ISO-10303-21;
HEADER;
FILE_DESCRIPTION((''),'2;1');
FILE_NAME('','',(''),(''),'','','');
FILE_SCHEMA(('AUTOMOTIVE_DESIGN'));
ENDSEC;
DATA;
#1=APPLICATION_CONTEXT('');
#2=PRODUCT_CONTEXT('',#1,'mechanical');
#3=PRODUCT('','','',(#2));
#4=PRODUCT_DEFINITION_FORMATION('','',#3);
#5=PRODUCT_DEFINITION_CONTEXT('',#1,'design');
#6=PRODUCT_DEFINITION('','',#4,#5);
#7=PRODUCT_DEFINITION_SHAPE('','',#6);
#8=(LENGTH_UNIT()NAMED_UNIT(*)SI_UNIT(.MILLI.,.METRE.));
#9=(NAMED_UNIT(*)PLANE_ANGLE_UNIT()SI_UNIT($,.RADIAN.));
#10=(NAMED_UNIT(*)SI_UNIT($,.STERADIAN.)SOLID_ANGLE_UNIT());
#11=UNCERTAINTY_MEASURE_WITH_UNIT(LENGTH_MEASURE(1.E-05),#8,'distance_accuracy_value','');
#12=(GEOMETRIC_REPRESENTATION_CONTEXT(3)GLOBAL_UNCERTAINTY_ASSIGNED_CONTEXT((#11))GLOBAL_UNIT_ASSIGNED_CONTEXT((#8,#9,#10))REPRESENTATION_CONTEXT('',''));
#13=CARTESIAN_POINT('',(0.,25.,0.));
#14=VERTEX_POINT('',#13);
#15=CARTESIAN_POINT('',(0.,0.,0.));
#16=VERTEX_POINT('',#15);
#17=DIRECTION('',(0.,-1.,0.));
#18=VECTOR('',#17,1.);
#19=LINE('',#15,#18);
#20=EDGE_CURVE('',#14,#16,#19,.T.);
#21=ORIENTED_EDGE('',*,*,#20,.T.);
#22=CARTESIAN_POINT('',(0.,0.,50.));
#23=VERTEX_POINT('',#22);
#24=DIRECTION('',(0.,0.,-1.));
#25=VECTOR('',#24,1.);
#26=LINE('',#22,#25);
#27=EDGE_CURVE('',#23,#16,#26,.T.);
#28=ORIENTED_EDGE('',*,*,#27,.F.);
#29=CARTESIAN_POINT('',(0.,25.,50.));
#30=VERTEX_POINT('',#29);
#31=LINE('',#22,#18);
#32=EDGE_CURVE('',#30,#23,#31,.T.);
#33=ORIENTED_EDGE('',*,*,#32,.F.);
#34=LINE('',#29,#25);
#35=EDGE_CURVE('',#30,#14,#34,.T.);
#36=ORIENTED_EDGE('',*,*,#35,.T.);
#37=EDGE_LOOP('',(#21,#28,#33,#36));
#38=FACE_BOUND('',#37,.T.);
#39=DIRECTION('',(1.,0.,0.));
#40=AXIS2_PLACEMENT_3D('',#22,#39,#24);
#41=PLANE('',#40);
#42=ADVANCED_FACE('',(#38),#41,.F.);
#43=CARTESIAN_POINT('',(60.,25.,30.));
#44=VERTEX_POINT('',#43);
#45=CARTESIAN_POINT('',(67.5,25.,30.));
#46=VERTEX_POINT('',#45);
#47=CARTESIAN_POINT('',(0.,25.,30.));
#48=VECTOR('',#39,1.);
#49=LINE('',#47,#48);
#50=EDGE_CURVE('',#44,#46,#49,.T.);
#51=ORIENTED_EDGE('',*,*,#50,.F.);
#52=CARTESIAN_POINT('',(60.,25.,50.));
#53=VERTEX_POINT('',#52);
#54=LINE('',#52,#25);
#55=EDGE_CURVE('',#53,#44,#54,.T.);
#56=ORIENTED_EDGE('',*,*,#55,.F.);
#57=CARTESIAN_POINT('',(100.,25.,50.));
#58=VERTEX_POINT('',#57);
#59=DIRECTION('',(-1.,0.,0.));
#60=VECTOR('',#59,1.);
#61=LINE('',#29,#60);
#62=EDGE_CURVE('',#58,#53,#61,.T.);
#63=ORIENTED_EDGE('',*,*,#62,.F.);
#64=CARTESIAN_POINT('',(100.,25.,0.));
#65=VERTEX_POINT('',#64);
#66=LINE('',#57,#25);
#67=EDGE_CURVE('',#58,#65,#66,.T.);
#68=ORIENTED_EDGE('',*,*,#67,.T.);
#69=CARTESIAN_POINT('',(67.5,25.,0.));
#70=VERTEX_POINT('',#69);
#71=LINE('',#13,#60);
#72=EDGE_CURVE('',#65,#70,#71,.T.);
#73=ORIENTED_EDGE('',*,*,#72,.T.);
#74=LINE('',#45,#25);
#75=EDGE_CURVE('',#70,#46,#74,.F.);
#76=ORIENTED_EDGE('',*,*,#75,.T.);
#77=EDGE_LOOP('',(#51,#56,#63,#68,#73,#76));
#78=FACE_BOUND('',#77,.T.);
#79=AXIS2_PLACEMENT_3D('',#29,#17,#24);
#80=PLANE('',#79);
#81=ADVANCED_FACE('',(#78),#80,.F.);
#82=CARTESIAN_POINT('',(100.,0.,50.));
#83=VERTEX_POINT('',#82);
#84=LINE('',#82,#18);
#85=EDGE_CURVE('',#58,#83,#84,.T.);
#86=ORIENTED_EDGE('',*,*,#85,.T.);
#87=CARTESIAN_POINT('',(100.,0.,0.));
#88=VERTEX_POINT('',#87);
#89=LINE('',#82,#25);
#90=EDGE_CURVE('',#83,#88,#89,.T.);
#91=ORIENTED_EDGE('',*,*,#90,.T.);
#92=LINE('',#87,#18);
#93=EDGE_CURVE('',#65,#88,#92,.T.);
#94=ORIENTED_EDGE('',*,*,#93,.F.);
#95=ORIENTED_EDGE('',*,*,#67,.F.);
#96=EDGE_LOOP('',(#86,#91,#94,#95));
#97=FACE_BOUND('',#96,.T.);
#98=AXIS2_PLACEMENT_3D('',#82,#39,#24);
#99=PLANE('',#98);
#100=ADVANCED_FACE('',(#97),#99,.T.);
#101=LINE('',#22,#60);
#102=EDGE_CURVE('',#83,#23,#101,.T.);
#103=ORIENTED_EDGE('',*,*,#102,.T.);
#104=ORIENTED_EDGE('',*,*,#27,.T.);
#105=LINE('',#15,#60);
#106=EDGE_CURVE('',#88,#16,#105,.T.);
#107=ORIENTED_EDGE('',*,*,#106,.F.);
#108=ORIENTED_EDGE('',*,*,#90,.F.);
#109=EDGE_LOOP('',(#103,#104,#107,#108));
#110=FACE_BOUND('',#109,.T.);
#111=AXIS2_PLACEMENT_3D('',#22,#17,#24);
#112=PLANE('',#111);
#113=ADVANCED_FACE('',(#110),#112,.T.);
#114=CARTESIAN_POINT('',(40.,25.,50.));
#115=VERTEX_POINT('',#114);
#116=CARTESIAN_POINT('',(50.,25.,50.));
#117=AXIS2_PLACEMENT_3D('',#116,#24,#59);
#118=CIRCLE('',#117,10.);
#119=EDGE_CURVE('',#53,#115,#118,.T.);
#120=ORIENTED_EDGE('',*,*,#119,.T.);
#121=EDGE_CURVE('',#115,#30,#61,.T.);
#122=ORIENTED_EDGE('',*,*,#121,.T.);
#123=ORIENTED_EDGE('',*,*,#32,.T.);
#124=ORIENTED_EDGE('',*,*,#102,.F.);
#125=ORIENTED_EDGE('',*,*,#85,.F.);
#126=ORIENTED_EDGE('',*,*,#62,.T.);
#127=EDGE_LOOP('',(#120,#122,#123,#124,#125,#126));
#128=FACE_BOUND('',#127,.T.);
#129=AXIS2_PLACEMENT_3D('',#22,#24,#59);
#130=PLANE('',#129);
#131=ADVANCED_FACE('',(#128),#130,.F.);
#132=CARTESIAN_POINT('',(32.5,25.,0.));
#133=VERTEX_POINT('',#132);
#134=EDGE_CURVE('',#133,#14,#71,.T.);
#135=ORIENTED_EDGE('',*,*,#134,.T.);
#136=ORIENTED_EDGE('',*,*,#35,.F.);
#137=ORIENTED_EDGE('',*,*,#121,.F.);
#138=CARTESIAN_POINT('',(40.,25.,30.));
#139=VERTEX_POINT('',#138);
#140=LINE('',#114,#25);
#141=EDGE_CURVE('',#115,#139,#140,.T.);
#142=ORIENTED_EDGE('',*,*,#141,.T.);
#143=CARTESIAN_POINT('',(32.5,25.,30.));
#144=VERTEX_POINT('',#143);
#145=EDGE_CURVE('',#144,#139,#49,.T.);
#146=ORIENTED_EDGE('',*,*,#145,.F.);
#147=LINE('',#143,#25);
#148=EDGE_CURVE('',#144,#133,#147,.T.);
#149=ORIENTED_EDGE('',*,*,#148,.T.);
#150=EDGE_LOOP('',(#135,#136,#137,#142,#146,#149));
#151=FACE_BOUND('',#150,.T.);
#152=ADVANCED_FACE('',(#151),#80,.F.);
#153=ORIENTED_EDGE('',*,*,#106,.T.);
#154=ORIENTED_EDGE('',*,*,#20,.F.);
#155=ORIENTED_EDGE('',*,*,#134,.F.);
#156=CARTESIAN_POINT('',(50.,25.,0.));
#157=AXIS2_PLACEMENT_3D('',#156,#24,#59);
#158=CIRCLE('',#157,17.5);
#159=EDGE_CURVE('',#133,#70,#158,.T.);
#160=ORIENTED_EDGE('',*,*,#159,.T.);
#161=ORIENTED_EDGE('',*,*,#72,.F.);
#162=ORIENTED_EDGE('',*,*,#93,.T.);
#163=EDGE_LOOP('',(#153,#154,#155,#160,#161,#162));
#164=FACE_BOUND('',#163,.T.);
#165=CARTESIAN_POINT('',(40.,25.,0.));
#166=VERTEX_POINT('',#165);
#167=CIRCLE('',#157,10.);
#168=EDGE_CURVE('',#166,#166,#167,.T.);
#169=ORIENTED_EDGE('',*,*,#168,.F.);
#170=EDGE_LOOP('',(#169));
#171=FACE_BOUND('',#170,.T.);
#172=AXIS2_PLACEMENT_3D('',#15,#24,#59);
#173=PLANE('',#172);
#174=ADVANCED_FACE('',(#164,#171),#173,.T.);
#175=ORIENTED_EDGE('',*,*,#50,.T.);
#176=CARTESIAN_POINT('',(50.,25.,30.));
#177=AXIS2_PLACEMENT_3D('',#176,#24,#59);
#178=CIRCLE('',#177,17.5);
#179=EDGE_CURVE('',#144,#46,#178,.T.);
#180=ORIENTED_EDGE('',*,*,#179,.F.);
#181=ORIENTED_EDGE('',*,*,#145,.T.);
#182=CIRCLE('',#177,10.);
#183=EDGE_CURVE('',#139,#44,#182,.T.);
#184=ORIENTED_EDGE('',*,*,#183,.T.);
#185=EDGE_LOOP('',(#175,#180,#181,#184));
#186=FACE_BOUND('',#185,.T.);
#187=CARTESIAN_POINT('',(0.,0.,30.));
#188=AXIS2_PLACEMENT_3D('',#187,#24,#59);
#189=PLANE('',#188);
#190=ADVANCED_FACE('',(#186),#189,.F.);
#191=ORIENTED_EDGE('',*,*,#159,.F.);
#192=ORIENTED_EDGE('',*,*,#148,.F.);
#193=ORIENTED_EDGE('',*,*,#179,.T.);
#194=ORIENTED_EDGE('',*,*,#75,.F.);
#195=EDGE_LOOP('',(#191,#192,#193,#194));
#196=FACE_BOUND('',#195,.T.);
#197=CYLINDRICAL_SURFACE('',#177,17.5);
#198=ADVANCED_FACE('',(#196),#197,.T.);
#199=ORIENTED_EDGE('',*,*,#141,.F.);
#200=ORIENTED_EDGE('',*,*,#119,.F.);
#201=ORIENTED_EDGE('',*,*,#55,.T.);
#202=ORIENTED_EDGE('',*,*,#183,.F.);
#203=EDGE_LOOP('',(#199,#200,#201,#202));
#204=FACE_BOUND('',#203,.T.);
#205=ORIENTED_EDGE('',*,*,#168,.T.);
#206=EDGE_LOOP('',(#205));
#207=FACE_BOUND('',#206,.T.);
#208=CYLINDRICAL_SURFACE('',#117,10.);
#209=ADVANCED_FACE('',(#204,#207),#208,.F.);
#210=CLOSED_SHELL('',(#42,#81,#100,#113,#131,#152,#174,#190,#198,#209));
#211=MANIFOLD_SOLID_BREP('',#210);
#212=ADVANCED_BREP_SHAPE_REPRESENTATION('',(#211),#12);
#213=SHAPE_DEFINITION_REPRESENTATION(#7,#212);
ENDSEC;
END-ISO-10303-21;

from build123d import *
from build123d.topology import SkipClean

# Parameters (mm, degrees)
BOSS_EXTRUDE1_DEPTH = 50
SKETCH1_3_R         = 17.5
SKETCH1_3_R_2       = 10
BOSS_EXTRUDE2_DEPTH = 30


with BuildPart() as part:
    # Sketch1 → Boss-Extrude1 (new body)
    with BuildSketch(Plane.XY):
        with BuildLine():
            Line((0, 25), (0, 0))
            Line((0, 0), (100, 0))
            Line((100, 0), (100, 25))
            Line((100, 25), (60, 25))
            ThreePointArc((60, 25), (50, 15), (40, 25))
            Line((40, 25), (0, 25))
        make_face()
    extrude(amount=BOSS_EXTRUDE1_DEPTH)

    # Sketch1<3> → Boss-Extrude2 (add)
    with SkipClean():  # the faces are left unmerged after this step: merging them gives an invalid solid
        with BuildSketch(Plane.XY):
            with Locations((50, 25)):
                Circle(SKETCH1_3_R)
            with Locations((50, 25)):
                Circle(SKETCH1_3_R_2, mode=Mode.SUBTRACT)
        extrude(amount=BOSS_EXTRUDE2_DEPTH)


solid = part.part
